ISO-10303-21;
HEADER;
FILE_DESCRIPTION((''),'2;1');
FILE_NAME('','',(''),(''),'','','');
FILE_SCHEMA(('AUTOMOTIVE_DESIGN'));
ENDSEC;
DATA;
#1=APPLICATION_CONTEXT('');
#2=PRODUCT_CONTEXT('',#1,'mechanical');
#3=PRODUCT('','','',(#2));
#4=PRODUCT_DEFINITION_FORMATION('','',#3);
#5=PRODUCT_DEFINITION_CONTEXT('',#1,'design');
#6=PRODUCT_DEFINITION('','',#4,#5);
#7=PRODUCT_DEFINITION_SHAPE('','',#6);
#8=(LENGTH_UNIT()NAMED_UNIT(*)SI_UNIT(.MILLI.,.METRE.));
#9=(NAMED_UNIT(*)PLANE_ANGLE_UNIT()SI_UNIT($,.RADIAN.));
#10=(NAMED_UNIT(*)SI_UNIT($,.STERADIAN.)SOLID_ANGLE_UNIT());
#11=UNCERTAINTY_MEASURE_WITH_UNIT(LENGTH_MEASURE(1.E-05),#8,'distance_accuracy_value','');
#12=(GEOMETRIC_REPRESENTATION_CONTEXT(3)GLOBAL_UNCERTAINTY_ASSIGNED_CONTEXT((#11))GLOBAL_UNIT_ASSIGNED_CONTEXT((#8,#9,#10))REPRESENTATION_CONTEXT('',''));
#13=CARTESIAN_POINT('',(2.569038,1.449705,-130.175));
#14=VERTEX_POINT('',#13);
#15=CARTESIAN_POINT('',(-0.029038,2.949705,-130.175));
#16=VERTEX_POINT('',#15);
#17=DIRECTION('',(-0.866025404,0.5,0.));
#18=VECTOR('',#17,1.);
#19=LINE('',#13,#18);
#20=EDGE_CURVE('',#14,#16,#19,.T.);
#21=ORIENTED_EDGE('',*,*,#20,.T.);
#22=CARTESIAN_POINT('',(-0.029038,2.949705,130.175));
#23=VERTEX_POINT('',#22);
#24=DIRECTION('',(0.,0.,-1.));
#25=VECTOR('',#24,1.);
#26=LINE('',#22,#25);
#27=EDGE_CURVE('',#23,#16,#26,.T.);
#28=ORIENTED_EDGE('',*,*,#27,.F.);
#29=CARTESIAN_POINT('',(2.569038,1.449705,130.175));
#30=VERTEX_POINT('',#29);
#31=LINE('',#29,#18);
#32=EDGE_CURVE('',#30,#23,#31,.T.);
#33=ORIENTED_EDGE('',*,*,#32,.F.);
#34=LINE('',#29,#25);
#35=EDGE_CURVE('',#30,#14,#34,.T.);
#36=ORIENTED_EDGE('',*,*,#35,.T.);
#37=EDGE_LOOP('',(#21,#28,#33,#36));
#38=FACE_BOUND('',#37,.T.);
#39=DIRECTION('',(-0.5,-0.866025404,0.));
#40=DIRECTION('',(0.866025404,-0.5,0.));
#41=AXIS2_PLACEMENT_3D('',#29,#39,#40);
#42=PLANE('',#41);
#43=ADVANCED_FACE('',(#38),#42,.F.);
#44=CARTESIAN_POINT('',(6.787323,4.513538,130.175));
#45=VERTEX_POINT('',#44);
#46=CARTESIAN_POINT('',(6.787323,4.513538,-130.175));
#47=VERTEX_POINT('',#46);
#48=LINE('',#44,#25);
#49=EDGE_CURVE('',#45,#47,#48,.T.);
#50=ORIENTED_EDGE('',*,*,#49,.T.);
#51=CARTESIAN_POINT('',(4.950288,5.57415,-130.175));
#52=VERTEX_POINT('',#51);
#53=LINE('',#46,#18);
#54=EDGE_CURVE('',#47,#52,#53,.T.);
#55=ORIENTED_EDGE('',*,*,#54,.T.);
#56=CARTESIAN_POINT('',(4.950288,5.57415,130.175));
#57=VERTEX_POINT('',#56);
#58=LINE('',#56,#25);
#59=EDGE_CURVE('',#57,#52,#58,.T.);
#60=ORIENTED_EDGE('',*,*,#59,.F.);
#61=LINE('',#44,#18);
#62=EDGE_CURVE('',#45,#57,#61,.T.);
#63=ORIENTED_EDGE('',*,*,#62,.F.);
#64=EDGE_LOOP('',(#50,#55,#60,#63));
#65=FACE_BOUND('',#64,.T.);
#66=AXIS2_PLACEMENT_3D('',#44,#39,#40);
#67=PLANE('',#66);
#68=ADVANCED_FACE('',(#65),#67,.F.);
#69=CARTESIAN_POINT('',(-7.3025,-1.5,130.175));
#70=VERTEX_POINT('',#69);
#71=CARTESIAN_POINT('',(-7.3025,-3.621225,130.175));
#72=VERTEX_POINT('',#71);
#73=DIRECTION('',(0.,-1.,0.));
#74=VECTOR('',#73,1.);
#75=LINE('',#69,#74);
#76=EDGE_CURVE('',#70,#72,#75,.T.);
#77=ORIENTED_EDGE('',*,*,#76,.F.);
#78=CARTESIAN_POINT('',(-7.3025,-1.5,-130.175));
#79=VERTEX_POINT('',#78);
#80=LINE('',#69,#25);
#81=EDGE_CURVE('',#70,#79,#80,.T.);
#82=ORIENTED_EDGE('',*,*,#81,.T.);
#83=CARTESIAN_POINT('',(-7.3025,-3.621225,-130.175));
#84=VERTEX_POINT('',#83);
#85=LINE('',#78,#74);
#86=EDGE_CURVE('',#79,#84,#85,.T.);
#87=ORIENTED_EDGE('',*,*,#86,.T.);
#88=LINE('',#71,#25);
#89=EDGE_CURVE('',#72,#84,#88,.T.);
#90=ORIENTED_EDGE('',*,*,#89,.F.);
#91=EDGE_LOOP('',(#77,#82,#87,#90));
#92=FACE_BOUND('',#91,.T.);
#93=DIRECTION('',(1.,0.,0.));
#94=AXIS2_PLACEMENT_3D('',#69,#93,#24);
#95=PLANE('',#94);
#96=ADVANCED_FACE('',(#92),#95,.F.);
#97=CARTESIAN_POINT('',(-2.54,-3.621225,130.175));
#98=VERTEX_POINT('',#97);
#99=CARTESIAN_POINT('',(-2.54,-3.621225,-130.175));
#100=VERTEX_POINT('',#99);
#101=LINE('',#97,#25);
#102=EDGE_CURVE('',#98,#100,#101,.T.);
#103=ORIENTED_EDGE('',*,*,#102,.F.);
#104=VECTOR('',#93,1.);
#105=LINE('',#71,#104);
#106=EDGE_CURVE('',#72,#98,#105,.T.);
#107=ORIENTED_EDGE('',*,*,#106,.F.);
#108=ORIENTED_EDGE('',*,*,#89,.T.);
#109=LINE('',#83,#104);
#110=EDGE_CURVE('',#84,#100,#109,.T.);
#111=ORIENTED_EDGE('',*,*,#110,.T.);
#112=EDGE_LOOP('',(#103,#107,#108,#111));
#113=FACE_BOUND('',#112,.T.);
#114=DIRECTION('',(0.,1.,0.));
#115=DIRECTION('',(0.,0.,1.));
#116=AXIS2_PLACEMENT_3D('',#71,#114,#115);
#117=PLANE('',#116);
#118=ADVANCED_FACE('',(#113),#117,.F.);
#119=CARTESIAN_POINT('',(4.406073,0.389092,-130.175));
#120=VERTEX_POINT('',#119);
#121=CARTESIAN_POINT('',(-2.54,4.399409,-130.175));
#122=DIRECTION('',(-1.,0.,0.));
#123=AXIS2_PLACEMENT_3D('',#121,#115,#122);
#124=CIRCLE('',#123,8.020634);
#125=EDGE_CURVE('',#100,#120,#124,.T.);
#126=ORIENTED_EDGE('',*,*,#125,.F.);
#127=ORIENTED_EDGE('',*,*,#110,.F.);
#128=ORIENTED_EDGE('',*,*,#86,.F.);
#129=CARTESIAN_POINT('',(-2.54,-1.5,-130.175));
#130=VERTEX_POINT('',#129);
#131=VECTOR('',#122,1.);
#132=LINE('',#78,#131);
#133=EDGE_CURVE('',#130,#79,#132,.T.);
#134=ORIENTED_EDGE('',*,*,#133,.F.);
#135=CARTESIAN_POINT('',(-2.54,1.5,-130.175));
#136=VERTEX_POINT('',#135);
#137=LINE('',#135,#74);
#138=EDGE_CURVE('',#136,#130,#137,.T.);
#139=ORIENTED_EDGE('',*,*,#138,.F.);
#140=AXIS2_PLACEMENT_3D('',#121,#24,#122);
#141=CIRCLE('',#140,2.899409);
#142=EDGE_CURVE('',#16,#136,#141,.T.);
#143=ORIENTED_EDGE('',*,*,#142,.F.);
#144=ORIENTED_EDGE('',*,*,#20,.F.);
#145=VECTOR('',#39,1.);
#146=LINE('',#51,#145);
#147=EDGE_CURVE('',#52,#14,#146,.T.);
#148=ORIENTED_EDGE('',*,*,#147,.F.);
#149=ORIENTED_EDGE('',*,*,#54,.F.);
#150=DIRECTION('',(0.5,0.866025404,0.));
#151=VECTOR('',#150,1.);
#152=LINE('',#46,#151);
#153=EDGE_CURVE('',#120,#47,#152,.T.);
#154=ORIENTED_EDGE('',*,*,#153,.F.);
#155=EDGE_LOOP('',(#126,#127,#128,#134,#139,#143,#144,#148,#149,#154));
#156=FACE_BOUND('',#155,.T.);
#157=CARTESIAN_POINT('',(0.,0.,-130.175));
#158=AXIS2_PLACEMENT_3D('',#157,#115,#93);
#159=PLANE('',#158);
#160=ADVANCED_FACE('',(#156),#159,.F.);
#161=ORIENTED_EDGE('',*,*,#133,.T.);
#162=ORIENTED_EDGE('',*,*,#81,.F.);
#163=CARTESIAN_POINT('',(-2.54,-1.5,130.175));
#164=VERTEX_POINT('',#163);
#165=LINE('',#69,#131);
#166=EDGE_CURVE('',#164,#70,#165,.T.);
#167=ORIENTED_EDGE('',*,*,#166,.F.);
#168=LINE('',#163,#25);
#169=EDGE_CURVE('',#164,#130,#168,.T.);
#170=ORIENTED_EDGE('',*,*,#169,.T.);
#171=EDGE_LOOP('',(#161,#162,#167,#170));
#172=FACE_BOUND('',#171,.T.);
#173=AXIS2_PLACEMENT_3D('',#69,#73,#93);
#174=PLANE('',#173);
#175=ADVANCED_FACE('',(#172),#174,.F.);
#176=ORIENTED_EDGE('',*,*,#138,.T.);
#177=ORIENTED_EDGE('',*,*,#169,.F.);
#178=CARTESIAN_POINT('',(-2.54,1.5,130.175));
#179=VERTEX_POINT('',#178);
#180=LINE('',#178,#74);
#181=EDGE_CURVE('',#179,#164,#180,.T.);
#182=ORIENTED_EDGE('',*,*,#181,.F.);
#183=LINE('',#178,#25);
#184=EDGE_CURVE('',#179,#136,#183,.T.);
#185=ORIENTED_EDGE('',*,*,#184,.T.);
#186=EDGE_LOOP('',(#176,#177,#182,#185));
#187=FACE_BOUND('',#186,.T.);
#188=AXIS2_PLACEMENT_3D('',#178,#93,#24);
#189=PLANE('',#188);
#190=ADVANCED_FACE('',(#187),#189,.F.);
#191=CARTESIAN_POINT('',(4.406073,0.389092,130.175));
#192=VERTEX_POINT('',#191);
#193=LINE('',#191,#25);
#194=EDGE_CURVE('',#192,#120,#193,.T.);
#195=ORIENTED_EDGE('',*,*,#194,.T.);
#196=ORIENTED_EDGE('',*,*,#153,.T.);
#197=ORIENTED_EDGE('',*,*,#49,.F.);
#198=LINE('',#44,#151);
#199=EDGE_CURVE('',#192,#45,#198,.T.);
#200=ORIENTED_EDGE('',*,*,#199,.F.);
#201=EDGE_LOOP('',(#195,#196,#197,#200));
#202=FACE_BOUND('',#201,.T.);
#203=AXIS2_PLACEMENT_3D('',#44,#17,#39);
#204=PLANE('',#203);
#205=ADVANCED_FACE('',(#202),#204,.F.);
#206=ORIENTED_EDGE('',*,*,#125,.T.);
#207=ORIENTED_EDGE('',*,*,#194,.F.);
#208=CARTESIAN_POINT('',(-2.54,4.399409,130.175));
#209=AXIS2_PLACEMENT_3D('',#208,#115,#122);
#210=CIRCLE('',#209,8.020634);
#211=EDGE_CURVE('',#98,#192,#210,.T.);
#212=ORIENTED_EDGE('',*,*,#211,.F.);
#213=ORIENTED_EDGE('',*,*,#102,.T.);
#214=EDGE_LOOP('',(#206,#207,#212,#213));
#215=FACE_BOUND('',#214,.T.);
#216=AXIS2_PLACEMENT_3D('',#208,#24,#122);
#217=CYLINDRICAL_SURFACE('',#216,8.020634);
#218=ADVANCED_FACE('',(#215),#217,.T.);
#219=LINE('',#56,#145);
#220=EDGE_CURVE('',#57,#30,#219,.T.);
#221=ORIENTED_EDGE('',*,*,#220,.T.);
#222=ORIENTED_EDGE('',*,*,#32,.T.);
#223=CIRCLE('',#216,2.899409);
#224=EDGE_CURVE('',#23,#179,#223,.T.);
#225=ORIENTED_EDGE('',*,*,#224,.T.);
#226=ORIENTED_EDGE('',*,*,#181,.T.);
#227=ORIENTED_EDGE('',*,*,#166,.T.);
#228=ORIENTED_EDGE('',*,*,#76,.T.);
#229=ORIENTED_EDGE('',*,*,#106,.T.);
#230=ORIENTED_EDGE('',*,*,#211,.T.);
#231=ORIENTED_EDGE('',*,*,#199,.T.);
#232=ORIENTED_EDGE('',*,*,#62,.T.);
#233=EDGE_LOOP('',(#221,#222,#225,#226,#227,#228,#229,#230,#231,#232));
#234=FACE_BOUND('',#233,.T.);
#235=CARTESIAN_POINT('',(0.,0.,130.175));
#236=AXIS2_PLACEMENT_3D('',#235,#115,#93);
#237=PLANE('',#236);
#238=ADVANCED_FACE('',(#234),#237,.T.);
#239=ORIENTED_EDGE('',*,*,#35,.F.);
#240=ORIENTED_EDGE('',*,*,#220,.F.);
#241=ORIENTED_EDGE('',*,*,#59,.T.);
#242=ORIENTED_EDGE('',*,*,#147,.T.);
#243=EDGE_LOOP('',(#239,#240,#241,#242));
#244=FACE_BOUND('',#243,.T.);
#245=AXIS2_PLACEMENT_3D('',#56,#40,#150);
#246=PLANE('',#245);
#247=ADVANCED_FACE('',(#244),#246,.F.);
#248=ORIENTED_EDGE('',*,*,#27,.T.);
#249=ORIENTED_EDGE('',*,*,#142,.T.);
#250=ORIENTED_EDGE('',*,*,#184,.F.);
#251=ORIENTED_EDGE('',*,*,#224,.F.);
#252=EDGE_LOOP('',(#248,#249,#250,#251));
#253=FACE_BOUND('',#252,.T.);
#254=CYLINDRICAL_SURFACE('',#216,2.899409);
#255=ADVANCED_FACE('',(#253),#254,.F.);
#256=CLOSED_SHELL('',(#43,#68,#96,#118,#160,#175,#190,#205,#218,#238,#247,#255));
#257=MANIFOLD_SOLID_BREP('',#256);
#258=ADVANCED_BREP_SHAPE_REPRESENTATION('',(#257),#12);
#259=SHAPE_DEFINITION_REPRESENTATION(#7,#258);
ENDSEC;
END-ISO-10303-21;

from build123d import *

# Parameters (mm, degrees)
SKETCH7_W           = 4.7625
SKETCH7_H           = 2.12122512
BOSS_EXTRUDE2_DEPTH = 130.175
BOSS_EXTRUDE3_DEPTH = 130.175
BOSS_EXTRUDE4_DEPTH = 130.175


with BuildPart() as part:
    # Sketch7 → Boss-Extrude2 (new, symmetric)
    with BuildSketch(Plane.XY):
        with Locations((-4.92125, -2.560612608)):
            Rectangle(SKETCH7_W, SKETCH7_H)
    extrude(amount=BOSS_EXTRUDE2_DEPTH, both=True)



with BuildPart() as body_2:
    # Sketch8 → Boss-Extrude3 (new, symmetric)
    with BuildSketch(Plane.XY):
        Polygon((2.569038147, 1.449704502), (4.950288147, 5.574150487), (6.787322988, 4.513537927), (4.406072988, 0.389091942), align=None)
    extrude(amount=BOSS_EXTRUDE3_DEPTH, both=True)


with BuildPart() as part_1:
    add(part.part)

    add(body_2.part)  # Boss-Extrude4 merges body 2
    # Sketch11 → Boss-Extrude4 (add, symmetric)
    with BuildSketch(Plane.XY):
        with BuildLine():
            Line((-2.54, -1.500000048), (-7.3025, -1.500000048))
            Line((-7.3025, -1.500000048), (-7.3025, -3.621225168))
            Line((-7.3025, -3.621225168), (-2.54, -3.621225168))
            ThreePointArc((-2.54, -3.621225168), (1.47031711, -2.546663937), (4.406072988, 0.389091942))
            Line((4.406072988, 0.389091942), (6.787322988, 4.513537927))
            Line((6.787322988, 4.513537927), (4.950288147, 5.574150487))
            Line((4.950288147, 5.574150487), (2.569038147, 1.449704502))
            Line((2.569038147, 1.449704502), (-0.029038147, 2.94970455))
            ThreePointArc((-0.029038147, 2.94970455), (-1.090295498, 1.888447198), (-2.54, 1.500000048))
            Line((-2.54, 1.500000048), (-2.54, -1.500000048))
        make_face()
    extrude(amount=BOSS_EXTRUDE4_DEPTH, both=True)


solid = part_1.part
